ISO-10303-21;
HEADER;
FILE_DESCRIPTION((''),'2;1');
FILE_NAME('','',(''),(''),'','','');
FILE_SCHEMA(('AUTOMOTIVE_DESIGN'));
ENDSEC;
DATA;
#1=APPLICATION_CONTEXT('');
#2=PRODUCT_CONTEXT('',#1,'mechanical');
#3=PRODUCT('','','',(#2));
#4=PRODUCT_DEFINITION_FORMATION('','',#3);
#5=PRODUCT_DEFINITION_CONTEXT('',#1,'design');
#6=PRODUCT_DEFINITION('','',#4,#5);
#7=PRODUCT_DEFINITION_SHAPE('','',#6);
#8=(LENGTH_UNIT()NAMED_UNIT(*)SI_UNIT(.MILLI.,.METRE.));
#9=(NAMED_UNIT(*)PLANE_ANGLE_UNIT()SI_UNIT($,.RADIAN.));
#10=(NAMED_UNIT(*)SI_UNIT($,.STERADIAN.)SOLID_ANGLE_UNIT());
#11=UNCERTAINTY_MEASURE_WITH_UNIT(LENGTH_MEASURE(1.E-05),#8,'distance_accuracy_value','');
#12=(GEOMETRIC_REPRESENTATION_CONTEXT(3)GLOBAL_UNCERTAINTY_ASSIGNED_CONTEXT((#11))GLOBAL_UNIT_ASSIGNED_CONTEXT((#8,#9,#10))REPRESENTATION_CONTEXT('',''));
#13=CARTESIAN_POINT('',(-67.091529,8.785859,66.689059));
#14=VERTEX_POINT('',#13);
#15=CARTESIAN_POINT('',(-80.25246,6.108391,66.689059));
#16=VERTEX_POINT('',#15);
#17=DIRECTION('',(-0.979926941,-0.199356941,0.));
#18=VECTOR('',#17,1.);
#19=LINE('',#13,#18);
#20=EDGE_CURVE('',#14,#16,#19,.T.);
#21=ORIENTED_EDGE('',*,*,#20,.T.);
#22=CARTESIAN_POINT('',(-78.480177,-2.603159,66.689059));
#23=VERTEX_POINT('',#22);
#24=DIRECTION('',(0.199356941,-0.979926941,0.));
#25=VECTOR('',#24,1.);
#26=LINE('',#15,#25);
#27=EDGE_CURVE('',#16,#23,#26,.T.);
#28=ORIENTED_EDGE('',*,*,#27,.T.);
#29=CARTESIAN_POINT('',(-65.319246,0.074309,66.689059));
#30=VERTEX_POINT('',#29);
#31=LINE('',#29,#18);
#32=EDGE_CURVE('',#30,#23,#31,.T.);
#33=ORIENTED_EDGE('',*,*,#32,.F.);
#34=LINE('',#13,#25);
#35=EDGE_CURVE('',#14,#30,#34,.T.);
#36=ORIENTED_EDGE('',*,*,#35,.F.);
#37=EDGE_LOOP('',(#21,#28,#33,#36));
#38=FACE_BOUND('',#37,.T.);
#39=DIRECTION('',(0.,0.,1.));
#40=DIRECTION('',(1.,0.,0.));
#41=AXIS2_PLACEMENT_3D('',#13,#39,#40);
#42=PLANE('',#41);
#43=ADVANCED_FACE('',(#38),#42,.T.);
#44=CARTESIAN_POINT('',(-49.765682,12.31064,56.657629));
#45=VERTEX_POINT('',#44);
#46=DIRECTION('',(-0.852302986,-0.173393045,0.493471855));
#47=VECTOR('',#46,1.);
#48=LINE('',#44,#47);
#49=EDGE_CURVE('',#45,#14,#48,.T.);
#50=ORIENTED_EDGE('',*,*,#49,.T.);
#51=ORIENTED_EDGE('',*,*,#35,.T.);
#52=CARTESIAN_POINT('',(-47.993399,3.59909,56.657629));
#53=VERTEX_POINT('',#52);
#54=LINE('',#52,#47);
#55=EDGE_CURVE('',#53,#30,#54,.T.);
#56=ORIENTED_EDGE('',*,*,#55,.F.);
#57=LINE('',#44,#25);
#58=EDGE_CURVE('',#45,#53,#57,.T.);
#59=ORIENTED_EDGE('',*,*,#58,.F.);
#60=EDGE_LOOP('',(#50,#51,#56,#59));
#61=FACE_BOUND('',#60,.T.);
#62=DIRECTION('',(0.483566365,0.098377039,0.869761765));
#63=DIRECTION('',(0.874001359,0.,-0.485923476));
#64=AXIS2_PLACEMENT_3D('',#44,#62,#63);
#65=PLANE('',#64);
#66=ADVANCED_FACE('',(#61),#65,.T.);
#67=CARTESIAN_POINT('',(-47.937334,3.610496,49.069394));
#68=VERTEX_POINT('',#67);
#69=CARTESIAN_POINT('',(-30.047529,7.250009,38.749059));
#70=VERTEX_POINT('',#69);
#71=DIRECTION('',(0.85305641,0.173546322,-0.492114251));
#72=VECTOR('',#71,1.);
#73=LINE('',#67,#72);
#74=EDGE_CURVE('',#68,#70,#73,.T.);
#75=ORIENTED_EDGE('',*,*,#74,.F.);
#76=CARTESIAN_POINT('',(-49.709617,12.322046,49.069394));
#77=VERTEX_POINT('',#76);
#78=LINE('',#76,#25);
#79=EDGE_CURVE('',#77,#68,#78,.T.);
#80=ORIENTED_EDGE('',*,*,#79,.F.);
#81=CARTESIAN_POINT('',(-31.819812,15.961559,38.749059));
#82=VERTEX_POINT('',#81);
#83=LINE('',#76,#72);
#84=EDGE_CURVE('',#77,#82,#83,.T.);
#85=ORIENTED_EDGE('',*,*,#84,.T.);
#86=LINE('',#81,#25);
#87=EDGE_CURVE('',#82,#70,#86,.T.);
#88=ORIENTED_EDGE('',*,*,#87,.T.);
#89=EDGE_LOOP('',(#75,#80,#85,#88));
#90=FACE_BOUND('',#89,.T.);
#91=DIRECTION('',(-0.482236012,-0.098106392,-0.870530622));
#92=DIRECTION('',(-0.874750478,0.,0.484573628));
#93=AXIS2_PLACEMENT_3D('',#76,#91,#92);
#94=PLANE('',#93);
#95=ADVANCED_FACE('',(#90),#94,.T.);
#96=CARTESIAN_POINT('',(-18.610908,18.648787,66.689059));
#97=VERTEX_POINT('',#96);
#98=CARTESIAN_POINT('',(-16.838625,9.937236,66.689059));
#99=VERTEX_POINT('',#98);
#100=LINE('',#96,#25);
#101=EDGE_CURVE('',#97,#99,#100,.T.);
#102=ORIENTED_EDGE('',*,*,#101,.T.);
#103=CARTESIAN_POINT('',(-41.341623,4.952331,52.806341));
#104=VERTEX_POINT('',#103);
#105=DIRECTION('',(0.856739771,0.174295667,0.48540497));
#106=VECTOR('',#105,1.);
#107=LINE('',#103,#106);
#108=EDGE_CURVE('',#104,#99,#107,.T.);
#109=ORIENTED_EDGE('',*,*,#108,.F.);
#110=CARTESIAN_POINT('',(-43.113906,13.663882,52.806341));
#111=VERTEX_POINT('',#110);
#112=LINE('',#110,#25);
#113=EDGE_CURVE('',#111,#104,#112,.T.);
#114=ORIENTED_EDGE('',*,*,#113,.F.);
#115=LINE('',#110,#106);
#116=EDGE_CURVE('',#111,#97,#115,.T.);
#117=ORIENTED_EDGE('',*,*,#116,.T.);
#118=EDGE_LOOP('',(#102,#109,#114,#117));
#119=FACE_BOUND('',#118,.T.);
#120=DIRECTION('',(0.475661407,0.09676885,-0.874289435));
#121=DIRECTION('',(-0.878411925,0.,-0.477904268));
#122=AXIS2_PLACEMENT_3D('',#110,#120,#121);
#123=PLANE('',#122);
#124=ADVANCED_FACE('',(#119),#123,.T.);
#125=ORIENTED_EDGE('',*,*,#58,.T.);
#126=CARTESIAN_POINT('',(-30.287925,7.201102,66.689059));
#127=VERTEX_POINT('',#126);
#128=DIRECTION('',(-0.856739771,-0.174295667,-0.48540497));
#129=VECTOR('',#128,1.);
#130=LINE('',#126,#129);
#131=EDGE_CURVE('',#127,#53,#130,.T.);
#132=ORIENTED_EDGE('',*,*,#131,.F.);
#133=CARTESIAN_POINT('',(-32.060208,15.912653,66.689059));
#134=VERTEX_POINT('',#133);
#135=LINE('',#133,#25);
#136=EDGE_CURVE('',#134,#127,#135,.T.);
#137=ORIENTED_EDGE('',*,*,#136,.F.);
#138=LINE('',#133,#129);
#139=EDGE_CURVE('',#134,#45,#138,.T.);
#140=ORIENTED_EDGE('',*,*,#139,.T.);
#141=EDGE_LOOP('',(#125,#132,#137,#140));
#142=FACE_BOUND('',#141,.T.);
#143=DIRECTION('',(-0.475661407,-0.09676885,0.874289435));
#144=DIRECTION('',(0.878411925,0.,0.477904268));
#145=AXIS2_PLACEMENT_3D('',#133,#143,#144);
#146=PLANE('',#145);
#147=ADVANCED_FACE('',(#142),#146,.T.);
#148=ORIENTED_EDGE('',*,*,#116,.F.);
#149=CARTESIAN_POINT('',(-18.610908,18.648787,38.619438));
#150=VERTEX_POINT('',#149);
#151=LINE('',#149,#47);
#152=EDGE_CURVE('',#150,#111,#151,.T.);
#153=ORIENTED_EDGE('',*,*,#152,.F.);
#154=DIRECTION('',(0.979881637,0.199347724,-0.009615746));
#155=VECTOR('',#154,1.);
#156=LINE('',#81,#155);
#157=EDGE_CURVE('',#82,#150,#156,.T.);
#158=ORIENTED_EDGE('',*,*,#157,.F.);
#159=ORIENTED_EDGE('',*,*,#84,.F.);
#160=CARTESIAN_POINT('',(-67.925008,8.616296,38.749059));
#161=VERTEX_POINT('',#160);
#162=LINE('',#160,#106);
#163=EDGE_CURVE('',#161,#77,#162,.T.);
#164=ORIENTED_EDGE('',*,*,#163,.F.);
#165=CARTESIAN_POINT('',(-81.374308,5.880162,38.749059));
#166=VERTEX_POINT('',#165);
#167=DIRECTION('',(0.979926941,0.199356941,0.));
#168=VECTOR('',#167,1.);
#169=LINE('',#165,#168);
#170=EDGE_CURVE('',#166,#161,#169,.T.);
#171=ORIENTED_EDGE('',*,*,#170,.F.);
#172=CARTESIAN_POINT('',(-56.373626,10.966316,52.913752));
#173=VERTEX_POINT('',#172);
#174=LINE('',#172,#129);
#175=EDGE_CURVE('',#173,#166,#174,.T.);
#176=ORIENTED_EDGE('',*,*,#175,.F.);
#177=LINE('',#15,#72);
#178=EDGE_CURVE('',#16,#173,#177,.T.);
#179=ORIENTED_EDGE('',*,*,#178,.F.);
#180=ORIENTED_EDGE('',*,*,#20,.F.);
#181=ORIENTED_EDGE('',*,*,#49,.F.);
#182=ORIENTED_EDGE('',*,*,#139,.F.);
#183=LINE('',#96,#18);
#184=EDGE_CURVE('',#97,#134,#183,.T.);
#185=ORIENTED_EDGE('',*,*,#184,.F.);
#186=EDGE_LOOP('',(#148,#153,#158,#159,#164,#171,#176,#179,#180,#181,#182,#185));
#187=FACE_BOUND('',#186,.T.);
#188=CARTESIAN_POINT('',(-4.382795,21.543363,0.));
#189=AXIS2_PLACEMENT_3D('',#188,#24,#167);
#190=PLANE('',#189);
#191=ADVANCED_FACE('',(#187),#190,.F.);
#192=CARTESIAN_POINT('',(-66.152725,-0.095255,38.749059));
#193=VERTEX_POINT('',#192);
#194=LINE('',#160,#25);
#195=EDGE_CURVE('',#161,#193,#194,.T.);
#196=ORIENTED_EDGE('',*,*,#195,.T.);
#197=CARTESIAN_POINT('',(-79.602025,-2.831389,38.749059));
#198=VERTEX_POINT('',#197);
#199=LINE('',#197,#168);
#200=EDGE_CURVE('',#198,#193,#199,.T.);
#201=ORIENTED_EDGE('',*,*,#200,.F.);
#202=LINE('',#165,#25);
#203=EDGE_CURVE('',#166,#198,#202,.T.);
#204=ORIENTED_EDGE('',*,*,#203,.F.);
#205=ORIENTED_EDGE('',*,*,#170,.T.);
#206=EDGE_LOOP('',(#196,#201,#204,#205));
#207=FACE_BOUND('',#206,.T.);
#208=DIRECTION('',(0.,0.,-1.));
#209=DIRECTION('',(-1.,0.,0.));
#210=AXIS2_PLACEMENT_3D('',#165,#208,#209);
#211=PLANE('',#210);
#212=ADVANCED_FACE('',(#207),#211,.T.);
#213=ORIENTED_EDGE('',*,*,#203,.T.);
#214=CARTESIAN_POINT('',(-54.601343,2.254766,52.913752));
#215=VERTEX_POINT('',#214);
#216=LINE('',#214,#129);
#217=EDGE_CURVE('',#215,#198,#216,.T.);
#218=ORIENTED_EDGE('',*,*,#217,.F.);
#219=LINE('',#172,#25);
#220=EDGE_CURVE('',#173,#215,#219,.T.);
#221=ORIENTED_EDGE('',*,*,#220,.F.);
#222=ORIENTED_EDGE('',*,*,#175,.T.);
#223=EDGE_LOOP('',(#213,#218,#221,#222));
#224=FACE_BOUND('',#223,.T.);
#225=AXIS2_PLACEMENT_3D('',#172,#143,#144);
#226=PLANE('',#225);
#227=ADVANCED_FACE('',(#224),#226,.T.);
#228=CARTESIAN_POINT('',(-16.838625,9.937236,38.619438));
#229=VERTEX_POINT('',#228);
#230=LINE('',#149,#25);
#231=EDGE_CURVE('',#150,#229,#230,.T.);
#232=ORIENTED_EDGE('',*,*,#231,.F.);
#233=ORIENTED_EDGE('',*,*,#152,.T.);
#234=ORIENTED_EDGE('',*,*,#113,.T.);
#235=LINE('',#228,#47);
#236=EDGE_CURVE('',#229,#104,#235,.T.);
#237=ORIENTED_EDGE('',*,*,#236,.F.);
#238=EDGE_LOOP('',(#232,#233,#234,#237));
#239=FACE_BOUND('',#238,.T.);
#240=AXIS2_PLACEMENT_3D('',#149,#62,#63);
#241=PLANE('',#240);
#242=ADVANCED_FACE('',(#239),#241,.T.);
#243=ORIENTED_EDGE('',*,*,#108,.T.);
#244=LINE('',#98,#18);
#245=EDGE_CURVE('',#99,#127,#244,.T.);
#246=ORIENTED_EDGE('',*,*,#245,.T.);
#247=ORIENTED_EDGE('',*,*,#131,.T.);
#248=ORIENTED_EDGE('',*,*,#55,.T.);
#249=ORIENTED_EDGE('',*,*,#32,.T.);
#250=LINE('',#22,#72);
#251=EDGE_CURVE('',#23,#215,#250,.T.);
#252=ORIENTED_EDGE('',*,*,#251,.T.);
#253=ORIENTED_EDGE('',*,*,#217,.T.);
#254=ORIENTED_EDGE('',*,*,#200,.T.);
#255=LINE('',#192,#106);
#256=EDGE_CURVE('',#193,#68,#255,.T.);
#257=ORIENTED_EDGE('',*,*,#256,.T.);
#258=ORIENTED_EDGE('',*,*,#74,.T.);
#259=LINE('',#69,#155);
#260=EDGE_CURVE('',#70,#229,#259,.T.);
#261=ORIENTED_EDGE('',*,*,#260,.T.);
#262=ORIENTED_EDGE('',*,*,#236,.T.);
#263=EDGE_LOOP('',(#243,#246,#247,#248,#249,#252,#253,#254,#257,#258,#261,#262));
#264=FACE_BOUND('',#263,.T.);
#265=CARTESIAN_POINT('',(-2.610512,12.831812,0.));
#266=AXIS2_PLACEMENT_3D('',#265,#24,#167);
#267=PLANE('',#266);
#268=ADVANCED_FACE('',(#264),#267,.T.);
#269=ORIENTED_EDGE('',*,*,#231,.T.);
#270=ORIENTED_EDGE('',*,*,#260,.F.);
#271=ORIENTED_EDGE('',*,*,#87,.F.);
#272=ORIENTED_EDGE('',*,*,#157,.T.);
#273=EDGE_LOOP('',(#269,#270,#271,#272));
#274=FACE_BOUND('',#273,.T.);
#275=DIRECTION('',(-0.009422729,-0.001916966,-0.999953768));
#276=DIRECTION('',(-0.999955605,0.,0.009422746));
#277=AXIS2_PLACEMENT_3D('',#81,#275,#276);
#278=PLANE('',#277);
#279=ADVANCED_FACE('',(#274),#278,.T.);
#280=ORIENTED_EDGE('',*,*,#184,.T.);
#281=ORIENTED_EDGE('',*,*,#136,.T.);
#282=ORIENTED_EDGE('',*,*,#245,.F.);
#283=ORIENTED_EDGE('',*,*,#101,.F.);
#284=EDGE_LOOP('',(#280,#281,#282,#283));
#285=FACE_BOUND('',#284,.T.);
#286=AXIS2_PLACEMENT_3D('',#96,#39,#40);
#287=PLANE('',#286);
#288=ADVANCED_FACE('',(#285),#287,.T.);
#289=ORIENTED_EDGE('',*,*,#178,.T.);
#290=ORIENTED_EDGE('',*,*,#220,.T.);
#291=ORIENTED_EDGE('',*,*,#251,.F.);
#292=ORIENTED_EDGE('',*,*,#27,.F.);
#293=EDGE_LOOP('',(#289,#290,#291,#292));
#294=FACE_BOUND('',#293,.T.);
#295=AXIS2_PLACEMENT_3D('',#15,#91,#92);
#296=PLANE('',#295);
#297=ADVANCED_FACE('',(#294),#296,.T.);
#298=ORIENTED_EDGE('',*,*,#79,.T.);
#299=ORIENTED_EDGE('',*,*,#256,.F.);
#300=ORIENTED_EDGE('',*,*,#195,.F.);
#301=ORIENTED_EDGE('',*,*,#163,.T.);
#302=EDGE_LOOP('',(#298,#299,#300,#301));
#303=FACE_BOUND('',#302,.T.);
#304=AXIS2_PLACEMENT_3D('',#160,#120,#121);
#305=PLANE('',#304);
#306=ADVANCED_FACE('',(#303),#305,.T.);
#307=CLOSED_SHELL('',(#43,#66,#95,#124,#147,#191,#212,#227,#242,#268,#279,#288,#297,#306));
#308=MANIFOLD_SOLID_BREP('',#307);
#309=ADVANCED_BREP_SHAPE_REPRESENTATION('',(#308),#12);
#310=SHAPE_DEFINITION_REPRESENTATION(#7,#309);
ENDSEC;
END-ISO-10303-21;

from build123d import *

# Parameters (mm, degrees)
BOSS_EXTRUDE1_DEPTH = 8.89


with BuildPart() as part:
    # Sketch1 → Boss-Extrude1 (new body)
    with BuildSketch(Plane(origin=(-2.610511813, 12.831812333, 0), x_dir=(-0.9799269411601921, -0.1993569411593923, 0), z_dir=(0.1993569411593923, -0.9799269411601921, 0))):
        Polygon((14.519565306, -38.619437862), (39.524488362, -52.806340813), (14.519565306, -66.689059093), (28.244363997, -66.689059093), (46.312521308, -56.657628994), (63.993275074, -66.689059093), (77.42379718, -66.689059093), (53.05582366, -52.913751574), (78.568625867, -38.749059093), (64.843827175, -38.749059093), (46.25530748, -49.069394077), (27.999043564, -38.749059093), align=None)
    extrude(amount=-BOSS_EXTRUDE1_DEPTH)


solid = part.part
